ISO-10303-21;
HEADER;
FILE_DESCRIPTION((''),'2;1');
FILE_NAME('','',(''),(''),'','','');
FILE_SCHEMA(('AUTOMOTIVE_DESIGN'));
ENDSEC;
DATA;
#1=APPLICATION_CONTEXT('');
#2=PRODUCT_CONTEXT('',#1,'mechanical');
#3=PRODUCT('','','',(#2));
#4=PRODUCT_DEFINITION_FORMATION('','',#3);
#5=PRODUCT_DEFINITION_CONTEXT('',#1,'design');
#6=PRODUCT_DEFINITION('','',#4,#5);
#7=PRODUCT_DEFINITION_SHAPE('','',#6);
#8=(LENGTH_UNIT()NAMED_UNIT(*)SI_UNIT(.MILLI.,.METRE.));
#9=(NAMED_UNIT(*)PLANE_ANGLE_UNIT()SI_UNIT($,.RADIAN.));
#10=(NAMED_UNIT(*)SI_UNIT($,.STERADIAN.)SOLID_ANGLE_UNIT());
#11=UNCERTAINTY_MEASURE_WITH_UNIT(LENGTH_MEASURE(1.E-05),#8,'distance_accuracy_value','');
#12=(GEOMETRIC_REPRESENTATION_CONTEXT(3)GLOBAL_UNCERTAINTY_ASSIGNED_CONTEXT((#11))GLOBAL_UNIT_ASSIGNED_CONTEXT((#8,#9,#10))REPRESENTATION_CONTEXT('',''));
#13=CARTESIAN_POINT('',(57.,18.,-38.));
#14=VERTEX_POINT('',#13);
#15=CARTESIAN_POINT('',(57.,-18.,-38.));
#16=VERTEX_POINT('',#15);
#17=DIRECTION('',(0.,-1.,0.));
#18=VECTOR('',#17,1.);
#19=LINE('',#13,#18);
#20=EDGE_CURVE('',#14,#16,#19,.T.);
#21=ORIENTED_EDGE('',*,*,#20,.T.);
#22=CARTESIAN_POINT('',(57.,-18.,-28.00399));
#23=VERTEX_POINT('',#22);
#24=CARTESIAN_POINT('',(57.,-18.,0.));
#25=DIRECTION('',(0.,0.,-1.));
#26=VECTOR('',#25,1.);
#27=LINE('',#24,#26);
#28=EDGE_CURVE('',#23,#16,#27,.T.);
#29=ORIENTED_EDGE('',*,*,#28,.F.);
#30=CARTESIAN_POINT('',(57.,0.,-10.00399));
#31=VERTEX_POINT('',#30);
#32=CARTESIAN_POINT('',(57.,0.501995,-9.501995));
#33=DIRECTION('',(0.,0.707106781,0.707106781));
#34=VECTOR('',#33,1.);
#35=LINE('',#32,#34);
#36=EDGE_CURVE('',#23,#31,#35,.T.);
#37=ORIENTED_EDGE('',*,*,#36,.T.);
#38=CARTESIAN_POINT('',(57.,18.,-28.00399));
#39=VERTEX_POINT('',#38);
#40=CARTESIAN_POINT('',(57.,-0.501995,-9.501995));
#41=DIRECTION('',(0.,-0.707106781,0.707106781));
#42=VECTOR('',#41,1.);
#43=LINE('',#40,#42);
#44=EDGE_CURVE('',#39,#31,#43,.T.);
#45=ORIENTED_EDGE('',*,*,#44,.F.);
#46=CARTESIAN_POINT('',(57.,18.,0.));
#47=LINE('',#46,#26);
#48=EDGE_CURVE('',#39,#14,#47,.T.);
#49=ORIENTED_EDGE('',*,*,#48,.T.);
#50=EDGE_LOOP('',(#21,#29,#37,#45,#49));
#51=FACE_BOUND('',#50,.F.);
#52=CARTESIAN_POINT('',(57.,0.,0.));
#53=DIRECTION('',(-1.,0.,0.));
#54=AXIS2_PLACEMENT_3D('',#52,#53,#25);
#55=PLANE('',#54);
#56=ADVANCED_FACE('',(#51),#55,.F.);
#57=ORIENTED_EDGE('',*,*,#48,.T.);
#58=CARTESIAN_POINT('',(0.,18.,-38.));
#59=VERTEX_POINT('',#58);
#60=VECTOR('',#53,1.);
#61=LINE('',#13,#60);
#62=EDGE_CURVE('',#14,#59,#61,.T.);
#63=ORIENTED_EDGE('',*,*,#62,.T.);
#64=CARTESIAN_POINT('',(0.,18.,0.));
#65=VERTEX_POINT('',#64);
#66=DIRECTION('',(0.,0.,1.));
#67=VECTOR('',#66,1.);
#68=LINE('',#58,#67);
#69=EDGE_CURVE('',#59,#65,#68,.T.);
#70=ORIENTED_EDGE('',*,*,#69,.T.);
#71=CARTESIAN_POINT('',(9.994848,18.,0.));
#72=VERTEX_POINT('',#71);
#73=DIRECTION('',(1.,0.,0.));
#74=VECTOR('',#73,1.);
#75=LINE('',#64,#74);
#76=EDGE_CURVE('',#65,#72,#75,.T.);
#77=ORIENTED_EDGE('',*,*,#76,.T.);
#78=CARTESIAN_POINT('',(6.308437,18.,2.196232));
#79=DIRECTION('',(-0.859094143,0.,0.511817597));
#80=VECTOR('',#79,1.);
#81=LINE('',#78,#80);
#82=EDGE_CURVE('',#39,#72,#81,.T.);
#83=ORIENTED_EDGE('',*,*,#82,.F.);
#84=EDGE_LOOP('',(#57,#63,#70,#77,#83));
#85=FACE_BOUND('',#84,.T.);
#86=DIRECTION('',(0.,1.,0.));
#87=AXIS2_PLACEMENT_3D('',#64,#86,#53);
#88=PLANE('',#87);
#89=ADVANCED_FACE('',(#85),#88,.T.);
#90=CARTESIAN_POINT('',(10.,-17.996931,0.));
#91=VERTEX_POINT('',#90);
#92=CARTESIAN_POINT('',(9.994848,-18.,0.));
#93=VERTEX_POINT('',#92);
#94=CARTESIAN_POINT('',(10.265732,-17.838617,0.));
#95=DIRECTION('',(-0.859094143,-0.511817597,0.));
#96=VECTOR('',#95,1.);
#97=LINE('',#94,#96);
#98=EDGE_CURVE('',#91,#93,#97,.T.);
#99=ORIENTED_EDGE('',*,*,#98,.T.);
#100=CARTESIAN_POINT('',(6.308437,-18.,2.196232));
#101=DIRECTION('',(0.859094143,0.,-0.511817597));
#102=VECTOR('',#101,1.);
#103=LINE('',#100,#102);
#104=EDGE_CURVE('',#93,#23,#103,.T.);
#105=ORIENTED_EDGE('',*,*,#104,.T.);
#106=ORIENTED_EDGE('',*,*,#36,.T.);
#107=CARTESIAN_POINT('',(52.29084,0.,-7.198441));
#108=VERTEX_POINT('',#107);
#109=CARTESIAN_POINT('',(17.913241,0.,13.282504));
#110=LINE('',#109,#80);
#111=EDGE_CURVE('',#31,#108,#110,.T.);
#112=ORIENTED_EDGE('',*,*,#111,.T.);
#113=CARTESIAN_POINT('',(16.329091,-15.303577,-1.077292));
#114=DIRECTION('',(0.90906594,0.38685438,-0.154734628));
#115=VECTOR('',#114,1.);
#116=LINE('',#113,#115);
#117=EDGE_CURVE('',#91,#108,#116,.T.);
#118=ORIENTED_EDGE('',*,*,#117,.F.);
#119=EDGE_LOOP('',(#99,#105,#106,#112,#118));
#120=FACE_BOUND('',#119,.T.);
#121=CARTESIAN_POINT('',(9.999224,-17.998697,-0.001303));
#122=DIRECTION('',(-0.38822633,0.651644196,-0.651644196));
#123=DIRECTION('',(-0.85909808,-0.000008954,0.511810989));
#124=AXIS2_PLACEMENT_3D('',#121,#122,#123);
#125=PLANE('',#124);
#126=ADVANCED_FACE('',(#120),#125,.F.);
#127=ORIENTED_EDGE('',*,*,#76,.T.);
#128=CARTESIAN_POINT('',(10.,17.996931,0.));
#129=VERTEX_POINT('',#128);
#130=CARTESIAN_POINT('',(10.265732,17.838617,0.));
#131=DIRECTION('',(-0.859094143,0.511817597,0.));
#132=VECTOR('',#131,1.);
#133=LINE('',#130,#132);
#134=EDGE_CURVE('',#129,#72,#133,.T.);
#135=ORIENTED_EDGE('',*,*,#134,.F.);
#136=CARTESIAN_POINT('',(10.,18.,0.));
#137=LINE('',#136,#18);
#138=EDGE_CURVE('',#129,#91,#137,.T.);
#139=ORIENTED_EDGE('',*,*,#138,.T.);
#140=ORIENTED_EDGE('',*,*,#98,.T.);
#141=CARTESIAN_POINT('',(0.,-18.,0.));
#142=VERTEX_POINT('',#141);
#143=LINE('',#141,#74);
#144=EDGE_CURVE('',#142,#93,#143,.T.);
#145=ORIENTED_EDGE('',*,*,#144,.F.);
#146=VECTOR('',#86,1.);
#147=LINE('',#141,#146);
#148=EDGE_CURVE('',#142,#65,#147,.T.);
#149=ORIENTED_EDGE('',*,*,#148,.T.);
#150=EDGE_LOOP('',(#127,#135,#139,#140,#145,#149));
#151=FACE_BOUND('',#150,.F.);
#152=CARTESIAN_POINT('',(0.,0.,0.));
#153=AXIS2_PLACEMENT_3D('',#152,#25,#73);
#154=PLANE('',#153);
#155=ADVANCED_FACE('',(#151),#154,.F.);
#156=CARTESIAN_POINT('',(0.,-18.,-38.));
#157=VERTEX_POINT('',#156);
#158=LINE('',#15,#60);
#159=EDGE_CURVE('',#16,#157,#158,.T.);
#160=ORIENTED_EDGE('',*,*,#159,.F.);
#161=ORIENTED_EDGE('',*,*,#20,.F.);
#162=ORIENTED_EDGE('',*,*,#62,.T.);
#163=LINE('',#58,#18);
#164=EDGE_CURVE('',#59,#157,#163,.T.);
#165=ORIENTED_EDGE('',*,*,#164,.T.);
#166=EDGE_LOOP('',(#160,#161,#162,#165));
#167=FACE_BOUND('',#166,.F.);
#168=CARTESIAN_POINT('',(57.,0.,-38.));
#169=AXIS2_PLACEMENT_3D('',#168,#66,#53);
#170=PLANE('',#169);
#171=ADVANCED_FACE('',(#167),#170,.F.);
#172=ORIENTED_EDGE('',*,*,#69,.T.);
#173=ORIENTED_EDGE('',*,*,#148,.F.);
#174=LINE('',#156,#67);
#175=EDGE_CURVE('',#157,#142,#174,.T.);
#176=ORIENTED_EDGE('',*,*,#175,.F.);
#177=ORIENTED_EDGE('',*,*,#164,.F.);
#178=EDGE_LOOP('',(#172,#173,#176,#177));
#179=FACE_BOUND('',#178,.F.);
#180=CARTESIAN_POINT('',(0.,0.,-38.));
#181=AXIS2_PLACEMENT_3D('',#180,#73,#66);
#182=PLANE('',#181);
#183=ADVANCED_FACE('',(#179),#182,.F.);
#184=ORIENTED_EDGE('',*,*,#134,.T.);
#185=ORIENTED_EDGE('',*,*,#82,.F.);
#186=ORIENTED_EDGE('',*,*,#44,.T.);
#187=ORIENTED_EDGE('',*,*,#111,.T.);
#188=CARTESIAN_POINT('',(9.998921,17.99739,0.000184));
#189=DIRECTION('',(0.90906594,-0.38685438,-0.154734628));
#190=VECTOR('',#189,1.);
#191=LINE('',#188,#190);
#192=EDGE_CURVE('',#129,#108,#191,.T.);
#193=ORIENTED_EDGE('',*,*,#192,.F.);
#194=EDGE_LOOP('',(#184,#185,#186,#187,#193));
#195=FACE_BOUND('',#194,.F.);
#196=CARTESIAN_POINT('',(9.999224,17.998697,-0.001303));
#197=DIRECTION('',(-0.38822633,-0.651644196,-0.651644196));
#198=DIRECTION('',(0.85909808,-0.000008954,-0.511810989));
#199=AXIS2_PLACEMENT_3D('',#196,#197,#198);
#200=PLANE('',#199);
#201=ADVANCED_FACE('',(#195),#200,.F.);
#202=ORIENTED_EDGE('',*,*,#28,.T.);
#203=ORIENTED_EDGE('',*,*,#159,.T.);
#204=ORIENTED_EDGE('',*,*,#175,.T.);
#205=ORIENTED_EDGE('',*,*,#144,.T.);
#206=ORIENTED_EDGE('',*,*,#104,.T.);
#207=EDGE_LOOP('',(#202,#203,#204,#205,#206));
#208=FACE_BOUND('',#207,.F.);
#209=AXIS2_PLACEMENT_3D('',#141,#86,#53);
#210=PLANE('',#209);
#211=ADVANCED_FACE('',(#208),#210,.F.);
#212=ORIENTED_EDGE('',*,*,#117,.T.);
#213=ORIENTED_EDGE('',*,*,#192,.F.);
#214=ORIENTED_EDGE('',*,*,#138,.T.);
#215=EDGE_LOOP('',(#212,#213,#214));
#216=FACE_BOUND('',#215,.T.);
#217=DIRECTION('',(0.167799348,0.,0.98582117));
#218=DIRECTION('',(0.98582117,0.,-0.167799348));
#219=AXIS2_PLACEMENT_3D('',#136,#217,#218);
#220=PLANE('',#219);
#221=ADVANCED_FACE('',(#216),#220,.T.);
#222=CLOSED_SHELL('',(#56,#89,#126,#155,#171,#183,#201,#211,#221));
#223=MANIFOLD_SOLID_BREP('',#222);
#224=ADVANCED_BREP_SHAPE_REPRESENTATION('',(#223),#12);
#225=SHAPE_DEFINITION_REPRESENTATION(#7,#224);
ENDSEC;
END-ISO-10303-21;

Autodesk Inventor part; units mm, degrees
ref_plane "YZ Plane" through (0, 0, 0) normal (1, 0, 0) x (0, 1, 0)
ref_plane "XZ Plane" through (0, 0, 0) normal (0, 1, 0) x (-1, 0, 0)
sketch "草圖1" plane through (0, 0, 0) normal (0, 1, 0) x (-1, 0, 0)
  line L0 (0, 0) -> (-57, 0)
  line L1 (-57, 0) -> (-57, -38)
  line L2 (-57, -38) -> (0, -38)
  line L3 (0, -38) -> (0, 0)
  dimension "d0" = 57
  dimension "d1" = 38
extrude "擠出1" add sketch "草圖1" along normal mid plane 36
sketch "草圖2" plane through (0, 18, 0) normal (0, 1, 0) x (1, 0, 0)
  line L0 (0, 0) -> (57, 0) projected
  line L1 (10, 0) -> (57, 8)
  line L2 (57, 0) -> (57, 38) projected
  dimension "d4" = 10
  dimension "d5" = 30
extrude "擠出2" cut sketch "草圖2" against normal blind 40
sketch "草圖3" plane through (57, -18, -38) normal (1, 0, 0) x (0, 0, -1)
  line L0 (-30, 16) -> (-10, 36)
  line L1 (0, 36) -> (-38, 36) projected
  line L2 (-30, 36) -> (-30, 0) projected
  point P0 (-38, 18)
  dimension "d8" = 20
  dimension "d9" = 20
ref_plane "工作平面1" through (10, 18, 0) normal (-0.3882, -0.6516, -0.6516) x (0.8591, 0, -0.5118)
sketch "草圖4" plane through (10, 18, 0) normal (-0.3882, -0.6516, -0.6516) x (0.8591, 0, -0.5118)
  line L0 (-15.1543, -12.3218) -> (93.717, -12.3218)
  line L1 (93.717, -12.3218) -> (93.717, 28.8166)
  line L2 (93.717, 28.8166) -> (-15.1543, 28.8166)
  line L3 (-15.1543, 28.8166) -> (-15.1543, -12.3218)
  point P0 (-8.591, 10.3182)
extrude "擠出3" cut sketch "草圖4" against normal blind 40
mirror "鏡射1" about plane through (0, 0, 0) normal (0, 1, 0) of "擠出3"
properties part number "7"
